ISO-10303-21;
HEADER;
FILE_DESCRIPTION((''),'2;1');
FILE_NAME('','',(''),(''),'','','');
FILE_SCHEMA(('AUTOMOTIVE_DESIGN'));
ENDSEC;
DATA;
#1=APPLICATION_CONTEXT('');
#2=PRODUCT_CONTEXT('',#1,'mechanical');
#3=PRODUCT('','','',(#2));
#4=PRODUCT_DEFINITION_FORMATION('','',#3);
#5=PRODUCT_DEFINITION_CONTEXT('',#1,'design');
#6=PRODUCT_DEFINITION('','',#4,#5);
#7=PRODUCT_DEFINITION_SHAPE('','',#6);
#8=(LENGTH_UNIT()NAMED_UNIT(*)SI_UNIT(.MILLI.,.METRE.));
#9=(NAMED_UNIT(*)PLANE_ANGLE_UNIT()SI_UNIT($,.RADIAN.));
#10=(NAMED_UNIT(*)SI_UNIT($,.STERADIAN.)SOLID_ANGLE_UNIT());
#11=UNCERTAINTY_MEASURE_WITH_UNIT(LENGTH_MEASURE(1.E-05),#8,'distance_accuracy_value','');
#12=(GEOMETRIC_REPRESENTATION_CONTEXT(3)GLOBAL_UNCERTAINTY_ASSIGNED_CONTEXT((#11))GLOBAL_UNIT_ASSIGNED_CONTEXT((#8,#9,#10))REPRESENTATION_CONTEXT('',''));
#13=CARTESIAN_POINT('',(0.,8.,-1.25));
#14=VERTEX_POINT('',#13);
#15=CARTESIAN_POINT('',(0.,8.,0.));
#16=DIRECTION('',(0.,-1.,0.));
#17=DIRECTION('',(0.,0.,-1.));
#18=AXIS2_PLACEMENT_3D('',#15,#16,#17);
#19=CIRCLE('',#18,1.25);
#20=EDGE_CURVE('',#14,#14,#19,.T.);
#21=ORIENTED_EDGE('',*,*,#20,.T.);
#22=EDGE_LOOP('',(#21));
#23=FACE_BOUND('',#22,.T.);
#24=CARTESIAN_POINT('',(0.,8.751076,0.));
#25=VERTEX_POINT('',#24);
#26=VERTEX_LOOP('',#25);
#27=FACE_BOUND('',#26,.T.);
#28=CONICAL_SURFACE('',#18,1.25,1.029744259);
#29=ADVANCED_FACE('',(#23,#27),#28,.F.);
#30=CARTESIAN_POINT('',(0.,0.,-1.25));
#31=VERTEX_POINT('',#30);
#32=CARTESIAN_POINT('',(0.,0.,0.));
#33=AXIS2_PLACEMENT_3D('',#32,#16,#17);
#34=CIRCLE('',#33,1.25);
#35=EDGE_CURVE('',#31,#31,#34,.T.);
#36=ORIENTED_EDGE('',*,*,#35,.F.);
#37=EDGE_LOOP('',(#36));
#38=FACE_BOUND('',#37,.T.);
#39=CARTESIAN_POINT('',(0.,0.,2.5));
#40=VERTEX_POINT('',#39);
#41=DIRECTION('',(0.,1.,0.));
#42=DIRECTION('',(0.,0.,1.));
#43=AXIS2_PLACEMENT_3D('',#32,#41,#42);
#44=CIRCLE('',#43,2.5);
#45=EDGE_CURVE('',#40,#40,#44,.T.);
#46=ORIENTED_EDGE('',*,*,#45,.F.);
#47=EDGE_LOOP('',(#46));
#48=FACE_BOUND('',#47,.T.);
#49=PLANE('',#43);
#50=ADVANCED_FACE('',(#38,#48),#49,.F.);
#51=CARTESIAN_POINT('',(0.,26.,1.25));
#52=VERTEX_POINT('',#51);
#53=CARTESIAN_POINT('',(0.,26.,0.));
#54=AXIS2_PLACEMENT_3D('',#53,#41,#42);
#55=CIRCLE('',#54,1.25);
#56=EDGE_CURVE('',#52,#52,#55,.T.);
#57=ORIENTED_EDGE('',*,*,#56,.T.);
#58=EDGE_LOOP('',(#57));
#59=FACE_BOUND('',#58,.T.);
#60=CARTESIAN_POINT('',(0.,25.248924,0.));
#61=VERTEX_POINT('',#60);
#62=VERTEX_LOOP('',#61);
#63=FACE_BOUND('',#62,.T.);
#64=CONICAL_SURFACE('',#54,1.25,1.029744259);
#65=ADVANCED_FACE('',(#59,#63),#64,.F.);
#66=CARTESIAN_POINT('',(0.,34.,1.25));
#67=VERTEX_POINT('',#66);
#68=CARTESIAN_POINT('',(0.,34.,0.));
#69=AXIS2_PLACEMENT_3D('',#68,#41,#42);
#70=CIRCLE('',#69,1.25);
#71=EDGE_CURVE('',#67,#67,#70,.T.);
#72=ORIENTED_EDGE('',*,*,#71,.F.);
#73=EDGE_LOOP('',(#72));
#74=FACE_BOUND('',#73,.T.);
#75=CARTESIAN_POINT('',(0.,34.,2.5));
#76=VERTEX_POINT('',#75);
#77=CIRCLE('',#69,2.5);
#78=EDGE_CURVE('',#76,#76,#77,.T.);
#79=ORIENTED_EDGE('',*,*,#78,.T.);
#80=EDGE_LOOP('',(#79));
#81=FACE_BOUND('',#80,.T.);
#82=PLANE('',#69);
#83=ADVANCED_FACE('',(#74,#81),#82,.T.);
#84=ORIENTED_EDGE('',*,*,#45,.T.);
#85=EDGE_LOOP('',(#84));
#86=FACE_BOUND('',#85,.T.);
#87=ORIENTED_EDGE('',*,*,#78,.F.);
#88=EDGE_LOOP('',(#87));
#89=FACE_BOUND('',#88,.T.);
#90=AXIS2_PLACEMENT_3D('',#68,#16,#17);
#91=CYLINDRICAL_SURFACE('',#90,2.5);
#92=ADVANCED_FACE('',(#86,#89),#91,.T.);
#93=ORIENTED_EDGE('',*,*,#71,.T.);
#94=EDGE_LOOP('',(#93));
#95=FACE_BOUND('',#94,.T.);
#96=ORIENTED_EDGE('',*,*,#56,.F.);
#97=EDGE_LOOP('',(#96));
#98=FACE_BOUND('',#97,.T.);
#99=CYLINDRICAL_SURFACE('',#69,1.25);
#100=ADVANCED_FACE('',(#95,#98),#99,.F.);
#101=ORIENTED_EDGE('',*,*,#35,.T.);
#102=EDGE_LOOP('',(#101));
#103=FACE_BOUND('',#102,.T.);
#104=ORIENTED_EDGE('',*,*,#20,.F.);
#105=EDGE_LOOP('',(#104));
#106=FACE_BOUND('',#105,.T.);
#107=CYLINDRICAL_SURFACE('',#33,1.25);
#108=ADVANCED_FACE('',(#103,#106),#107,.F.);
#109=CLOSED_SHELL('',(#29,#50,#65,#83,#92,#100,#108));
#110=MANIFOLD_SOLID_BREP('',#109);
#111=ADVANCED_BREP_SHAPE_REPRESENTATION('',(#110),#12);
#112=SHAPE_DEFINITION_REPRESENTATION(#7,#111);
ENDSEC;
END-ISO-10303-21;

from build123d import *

# Parameters (mm, degrees)
SKETCH1_R                   = 2.5
BOSS_EXTRUDE1_DEPTH         = 34
TAP_DRILL_FOR_M3_TAP1_D     = 2.5
TAP_DRILL_FOR_M3_TAP1_DEPTH = 8
TAP_DRILL_FOR_M3_TAP1_TIP   = 0.751075774
TAP_DRILL_FOR_M3_TAP2_D     = 2.5
TAP_DRILL_FOR_M3_TAP2_DEPTH = 8
TAP_DRILL_FOR_M3_TAP2_TIP   = 0.751075774


with BuildPart() as part:
    # Sketch1 → Boss-Extrude1 (new body)
    with BuildSketch(Plane(origin=(0, 0, 0), x_dir=(1, 0, 0), z_dir=(0, 1, 0))):
        with Locations(Location((0, 0, 0), (0, 0, 270))):
            Circle(SKETCH1_R)
    extrude(amount=BOSS_EXTRUDE1_DEPTH)

    # Tap Drill for M3 Tap1
    with Locations(Plane(origin=(0, 34, 0), x_dir=(1, 0, 0), z_dir=(0, 1, 0))):
        with Locations((0, 0)):
            Hole(TAP_DRILL_FOR_M3_TAP1_D / 2, depth=TAP_DRILL_FOR_M3_TAP1_DEPTH)
            with Locations((0, 0, -(TAP_DRILL_FOR_M3_TAP1_DEPTH + TAP_DRILL_FOR_M3_TAP1_TIP / 2))):  # 118° drill point
                Cone(0, TAP_DRILL_FOR_M3_TAP1_D / 2, TAP_DRILL_FOR_M3_TAP1_TIP, mode=Mode.SUBTRACT)

    # Tap Drill for M3 Tap2
    with Locations(Plane(origin=(0, 0, 0), x_dir=(-1, 0, 0), z_dir=(0, -1, 0))):
        with Locations((0, 0)):
            Hole(TAP_DRILL_FOR_M3_TAP2_D / 2, depth=TAP_DRILL_FOR_M3_TAP2_DEPTH)
            with Locations((0, 0, -(TAP_DRILL_FOR_M3_TAP2_DEPTH + TAP_DRILL_FOR_M3_TAP2_TIP / 2))):  # 118° drill point
                Cone(0, TAP_DRILL_FOR_M3_TAP2_D / 2, TAP_DRILL_FOR_M3_TAP2_TIP, mode=Mode.SUBTRACT)


solid = part.part
